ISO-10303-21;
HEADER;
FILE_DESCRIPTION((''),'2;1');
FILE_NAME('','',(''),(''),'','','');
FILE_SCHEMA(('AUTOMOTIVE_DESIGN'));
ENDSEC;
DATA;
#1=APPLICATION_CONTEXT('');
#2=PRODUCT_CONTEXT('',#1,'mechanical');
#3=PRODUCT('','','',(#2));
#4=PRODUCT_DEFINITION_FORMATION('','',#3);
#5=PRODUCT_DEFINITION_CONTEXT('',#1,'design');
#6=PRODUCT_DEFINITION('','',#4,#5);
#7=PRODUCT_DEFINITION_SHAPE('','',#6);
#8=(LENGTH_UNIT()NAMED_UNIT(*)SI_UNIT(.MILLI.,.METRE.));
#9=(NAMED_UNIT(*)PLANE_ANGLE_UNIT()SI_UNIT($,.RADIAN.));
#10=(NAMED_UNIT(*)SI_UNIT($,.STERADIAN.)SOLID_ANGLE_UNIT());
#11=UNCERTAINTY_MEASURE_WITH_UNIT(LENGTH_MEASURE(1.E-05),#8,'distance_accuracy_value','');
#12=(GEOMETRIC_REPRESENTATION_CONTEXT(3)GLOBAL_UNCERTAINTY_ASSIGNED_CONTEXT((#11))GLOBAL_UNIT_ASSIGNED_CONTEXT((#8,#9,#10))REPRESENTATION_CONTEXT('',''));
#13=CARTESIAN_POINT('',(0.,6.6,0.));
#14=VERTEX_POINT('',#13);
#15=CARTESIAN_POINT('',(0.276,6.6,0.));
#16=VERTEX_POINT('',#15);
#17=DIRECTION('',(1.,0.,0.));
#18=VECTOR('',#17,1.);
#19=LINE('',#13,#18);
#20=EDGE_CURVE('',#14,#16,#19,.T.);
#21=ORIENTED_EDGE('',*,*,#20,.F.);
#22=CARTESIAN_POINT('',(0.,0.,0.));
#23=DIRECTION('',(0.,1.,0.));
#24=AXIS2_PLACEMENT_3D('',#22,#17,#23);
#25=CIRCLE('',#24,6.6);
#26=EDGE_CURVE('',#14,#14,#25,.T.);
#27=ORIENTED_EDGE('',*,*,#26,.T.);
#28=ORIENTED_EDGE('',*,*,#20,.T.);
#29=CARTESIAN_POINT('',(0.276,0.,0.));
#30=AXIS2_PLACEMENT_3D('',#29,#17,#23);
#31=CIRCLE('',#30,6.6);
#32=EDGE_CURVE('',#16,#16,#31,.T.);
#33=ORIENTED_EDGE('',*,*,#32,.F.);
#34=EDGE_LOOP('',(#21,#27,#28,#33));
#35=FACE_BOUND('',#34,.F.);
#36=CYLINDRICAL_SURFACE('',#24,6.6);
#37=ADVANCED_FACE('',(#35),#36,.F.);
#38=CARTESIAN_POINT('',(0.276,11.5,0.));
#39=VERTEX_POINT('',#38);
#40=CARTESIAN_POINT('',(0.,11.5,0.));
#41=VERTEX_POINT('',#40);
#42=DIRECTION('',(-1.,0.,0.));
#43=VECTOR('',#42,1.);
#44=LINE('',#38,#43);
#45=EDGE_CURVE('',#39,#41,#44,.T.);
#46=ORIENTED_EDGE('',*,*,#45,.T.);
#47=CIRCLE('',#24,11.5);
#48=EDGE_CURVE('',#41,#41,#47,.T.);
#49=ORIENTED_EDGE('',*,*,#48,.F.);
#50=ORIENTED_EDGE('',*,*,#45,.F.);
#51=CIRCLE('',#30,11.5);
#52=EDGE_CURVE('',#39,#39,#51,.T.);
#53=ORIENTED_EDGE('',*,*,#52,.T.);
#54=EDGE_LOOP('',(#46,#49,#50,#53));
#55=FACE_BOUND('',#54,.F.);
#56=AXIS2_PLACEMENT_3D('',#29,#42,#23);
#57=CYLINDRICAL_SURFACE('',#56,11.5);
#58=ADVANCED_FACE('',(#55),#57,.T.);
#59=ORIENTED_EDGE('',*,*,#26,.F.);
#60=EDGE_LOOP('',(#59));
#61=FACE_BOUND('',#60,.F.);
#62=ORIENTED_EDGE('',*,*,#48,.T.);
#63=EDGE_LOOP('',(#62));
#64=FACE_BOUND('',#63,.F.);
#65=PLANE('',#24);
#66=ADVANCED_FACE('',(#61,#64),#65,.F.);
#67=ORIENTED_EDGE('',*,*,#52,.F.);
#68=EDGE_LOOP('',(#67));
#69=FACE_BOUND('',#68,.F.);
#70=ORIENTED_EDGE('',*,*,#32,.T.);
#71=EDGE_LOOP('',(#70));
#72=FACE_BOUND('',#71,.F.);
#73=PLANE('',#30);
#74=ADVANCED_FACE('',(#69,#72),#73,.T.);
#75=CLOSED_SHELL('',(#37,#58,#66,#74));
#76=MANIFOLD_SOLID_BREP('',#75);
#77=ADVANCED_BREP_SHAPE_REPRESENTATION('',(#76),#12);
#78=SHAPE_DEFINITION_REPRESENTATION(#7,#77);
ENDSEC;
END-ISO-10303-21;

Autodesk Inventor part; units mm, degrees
sketch "Sketch_1" plane through (0, 0, 0) normal (0, 0, 1) x (1, 0, 0)
  line L0 (0.276, 0) -> (0, 0)
  line L1 (0, 6.6) -> (0.276, 6.6)
  line L2 (0.276, 6.6) -> (0.276, 11.5)
  line L3 (0.276, 11.5) -> (0, 11.5)
  line L4 (0, 11.5) -> (0, 6.6)
revolve "Revolution1" add sketch "Sketch_1" angle 360 about axis through (0.276, 0, 0) along (1, 0, 0)
ref_plane "ip_cst_5_s2_XY" through (0, 0, 0) normal (-1, 0, 0) x (0, 0, -1)
ref_plane "ip_cst_5_s2_YZ" through (0, 0, 0) normal (0, 0, -1) x (0, -1, 0)
ref_plane "ip_cst_5_s2_ZX" through (0, 0, 0) normal (0, -1, 0) x (-1, 0, 0)
properties part number "6000DDU Shield2"
